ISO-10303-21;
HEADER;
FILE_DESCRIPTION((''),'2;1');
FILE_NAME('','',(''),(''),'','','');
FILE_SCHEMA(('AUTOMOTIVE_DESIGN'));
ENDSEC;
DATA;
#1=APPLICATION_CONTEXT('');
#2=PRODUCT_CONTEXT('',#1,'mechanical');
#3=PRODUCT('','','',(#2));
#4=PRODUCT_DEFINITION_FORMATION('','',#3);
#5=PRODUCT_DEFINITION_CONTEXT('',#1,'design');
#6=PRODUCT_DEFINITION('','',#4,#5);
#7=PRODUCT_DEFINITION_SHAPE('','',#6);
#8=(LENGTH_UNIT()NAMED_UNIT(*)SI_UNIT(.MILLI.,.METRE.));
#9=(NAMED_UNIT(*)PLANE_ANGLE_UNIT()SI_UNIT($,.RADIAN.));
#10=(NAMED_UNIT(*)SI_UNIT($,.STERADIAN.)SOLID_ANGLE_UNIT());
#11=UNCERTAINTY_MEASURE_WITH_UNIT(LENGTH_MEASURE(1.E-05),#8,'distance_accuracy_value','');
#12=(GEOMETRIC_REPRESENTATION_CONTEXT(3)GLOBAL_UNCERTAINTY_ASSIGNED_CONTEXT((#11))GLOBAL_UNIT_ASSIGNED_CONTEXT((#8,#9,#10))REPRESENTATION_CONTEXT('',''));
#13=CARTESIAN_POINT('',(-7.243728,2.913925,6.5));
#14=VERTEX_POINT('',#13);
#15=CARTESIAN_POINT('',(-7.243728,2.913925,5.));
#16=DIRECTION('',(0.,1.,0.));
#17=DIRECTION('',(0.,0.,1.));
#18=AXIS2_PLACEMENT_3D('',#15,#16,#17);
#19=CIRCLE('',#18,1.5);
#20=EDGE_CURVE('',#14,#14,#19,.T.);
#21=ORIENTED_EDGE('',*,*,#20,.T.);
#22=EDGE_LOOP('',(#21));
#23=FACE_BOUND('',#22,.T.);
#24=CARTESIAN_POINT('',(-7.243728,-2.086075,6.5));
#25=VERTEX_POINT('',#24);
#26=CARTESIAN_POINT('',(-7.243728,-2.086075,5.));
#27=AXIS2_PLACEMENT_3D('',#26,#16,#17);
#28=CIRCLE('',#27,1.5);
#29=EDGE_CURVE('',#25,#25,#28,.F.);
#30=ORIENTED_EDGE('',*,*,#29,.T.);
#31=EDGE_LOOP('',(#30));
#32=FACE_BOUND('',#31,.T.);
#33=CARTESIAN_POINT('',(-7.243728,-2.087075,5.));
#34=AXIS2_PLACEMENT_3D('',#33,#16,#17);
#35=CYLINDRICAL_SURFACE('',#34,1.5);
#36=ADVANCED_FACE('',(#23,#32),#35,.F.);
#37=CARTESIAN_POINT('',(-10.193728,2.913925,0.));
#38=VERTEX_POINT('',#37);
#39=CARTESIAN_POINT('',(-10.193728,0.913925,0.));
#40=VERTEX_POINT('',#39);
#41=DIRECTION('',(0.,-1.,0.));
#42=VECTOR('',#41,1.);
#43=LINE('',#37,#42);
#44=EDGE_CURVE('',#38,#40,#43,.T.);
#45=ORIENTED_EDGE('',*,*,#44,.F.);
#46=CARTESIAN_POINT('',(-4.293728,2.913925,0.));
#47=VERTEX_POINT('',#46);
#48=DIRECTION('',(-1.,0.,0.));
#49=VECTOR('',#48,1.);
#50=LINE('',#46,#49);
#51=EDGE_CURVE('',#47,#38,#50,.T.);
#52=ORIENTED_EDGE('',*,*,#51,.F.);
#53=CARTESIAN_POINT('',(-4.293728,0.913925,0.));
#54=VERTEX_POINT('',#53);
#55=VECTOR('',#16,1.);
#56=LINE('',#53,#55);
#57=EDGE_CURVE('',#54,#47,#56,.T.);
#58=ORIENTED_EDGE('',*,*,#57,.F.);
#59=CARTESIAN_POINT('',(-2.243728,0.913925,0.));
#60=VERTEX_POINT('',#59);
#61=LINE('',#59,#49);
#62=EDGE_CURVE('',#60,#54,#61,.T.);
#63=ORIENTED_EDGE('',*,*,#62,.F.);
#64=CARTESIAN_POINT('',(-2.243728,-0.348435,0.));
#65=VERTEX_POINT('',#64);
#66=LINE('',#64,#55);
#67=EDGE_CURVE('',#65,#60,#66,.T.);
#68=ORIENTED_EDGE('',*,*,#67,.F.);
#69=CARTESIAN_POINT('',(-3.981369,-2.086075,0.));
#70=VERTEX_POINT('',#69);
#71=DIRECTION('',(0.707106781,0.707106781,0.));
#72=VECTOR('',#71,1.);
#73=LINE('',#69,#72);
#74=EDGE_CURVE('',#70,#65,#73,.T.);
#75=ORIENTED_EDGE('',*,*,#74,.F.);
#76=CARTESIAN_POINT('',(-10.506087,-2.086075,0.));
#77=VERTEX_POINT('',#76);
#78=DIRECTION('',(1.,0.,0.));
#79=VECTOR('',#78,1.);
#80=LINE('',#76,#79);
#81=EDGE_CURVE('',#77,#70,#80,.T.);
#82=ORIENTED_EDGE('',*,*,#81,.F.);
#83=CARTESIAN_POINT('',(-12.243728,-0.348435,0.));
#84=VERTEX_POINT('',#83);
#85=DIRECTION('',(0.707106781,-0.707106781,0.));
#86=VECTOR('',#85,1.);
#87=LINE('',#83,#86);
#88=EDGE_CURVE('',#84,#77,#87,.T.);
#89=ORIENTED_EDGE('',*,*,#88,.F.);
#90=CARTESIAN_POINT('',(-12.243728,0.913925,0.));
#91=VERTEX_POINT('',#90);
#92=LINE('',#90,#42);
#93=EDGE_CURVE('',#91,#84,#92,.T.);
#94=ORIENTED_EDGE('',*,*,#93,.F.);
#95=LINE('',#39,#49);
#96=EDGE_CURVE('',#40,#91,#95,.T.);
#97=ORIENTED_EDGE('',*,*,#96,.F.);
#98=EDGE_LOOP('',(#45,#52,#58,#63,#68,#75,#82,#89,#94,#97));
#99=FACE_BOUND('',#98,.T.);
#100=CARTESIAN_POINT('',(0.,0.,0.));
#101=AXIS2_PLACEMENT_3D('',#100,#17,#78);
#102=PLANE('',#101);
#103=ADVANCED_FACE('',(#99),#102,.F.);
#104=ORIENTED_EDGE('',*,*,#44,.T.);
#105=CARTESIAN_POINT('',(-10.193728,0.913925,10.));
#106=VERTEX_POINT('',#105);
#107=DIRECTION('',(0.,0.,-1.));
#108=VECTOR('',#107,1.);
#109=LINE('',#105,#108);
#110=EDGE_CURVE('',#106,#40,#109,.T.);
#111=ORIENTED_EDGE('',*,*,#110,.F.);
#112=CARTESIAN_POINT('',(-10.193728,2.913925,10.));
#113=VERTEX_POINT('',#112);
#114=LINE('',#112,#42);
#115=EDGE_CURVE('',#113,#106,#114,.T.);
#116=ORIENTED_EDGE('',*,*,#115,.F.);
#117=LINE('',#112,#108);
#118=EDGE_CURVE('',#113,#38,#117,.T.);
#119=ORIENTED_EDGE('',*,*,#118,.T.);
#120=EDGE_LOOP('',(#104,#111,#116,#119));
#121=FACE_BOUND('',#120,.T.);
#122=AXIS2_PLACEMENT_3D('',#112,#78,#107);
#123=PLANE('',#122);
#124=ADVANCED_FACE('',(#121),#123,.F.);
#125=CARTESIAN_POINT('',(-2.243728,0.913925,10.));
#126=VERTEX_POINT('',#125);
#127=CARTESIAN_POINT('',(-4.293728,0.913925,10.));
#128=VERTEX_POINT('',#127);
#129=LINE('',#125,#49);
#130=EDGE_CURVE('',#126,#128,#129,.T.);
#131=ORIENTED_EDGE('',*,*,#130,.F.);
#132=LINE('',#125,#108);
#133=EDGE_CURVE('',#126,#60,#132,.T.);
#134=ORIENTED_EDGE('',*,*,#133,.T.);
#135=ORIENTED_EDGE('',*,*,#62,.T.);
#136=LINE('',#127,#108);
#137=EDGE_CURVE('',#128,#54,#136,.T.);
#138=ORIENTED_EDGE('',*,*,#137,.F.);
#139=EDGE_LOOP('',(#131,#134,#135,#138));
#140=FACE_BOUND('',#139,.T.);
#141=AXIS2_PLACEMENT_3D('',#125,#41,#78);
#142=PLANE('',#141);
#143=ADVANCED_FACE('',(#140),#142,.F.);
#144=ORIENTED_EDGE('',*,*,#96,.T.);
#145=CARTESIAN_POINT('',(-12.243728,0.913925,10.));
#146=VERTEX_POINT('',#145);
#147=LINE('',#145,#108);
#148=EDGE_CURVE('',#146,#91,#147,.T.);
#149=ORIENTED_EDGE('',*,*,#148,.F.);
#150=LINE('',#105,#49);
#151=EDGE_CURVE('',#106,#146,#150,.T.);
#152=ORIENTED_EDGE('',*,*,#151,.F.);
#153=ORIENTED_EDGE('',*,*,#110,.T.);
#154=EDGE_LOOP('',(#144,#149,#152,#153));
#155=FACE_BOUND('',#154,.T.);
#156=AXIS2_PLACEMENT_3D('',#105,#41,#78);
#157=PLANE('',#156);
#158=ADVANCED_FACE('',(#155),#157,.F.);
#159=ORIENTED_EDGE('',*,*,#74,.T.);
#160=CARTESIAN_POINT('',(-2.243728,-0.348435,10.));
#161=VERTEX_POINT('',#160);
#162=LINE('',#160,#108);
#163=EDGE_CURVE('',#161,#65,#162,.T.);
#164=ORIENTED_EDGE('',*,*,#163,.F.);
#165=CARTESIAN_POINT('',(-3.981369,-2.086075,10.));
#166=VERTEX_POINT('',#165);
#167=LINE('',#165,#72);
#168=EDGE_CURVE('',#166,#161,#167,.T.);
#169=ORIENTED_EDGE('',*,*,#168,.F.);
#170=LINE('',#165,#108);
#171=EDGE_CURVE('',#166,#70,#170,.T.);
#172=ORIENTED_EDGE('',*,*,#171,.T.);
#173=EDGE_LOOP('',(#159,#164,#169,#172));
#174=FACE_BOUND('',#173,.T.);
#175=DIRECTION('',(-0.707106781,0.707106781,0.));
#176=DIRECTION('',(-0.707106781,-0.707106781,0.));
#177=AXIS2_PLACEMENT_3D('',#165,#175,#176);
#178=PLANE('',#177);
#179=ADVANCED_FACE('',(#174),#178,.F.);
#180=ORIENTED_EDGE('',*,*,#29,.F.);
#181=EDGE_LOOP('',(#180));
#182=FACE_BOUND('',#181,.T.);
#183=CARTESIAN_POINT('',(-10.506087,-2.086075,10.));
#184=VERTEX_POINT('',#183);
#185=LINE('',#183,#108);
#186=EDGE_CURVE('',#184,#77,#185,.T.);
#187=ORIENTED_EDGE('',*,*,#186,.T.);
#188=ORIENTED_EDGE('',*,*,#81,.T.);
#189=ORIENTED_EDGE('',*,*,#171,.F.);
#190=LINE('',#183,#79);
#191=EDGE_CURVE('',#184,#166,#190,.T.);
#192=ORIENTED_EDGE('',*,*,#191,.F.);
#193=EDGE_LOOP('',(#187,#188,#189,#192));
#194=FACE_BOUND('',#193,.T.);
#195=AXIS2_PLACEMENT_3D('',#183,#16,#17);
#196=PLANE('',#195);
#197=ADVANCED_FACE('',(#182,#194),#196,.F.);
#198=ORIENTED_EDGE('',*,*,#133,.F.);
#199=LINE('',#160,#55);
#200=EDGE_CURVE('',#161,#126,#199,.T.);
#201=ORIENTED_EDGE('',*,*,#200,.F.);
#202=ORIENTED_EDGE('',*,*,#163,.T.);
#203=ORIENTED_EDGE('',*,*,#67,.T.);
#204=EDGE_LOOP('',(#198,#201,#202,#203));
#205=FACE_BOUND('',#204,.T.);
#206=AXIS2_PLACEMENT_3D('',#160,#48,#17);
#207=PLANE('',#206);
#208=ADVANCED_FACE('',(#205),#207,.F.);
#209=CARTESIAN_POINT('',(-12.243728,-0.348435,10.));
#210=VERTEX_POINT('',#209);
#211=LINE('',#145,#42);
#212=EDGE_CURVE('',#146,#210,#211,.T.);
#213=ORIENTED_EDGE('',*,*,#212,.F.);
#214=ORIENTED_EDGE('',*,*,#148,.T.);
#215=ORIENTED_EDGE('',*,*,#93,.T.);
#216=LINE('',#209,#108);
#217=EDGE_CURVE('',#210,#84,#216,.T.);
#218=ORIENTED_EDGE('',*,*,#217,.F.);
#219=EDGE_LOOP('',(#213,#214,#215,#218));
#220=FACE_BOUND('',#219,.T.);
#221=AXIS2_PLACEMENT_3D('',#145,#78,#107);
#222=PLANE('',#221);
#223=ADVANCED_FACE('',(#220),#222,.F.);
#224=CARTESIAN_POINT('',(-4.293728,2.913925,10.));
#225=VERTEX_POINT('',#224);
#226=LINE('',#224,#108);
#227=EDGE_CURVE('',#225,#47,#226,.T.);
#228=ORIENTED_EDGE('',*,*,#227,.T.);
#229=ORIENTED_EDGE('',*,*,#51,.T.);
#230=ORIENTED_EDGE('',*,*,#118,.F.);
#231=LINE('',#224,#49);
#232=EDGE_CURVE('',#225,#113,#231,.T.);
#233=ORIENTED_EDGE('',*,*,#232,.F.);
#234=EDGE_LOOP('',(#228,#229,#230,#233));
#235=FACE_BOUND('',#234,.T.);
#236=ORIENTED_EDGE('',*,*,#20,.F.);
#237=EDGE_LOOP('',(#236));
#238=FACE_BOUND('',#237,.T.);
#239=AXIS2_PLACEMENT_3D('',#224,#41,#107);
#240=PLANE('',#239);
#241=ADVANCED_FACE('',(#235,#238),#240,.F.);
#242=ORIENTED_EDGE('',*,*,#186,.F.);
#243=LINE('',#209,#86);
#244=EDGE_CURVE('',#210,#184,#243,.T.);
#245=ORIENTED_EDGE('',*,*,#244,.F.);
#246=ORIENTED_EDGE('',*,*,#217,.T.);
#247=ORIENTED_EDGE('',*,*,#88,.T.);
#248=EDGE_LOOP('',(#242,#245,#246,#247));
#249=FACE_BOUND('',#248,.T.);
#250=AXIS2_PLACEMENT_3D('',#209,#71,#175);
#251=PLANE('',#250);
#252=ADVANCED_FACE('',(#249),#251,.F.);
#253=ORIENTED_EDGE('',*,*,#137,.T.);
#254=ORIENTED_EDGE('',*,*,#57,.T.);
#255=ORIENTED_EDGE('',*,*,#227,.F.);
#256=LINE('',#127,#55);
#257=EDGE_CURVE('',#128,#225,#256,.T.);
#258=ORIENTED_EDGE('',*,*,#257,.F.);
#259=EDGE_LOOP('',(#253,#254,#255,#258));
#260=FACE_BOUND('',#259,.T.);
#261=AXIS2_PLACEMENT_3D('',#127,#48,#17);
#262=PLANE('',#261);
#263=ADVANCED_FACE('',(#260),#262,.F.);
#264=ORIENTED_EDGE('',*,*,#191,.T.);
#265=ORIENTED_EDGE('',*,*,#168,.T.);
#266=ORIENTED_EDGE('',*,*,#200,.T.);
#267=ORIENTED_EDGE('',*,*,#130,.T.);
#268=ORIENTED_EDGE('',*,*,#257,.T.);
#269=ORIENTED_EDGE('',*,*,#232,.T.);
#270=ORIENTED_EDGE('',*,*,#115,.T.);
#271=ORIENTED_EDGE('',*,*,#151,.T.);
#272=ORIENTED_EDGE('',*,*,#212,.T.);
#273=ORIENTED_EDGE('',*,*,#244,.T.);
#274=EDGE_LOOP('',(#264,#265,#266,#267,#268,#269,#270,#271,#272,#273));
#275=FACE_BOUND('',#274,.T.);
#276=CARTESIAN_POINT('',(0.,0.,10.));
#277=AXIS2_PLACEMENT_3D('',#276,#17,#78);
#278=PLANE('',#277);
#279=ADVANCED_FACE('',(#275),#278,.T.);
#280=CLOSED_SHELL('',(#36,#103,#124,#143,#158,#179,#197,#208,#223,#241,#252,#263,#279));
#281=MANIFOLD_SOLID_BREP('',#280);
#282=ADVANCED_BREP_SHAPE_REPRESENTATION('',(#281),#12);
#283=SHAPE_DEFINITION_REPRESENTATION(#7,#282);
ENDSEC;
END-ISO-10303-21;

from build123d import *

# Parameters (mm, degrees)
BOSS_EXTRU_1_DEPTH      = 10
ENL_V_MAT_EXTRU_1_REACH = 18.58
ESQUISSE2_R             = 1.5


with BuildPart() as part:
    # Esquisse1 → Boss.-Extru.1 (new body)
    with BuildSketch(Plane.XY):
        Polygon((-10.506087259, -2.086075409), (-3.981368971, -2.086075409), (-2.243728115, -0.348434553), (-2.243728115, 0.913924591), (-4.293728115, 0.913924591), (-4.293728115, 2.913924591), (-10.193728115, 2.913924591), (-10.193728115, 0.913924591), (-12.243728115, 0.913924591), (-12.243728115, -0.348434553), align=None)
    extrude(amount=BOSS_EXTRU_1_DEPTH)

    # Esquisse2 → Enlèv. mat.-Extru.1 (cut, up to next)
    with BuildSketch(Plane(origin=(0, 2.913924591, 0), x_dir=(1, 0, 0), z_dir=(0, 1, 0)), mode=Mode.PRIVATE) as enl_v_mat_extru_1_sk1:
        with Locations(Location((-7.243728115, -5, 0), (0, 0, 270))):
            Circle(ESQUISSE2_R)
    enl_v_mat_extru_1_tool1 = extrude(enl_v_mat_extru_1_sk1.sketch, amount=-ENL_V_MAT_EXTRU_1_REACH, mode=Mode.PRIVATE) & part.part
    add(enl_v_mat_extru_1_tool1.solids().sort_by_distance((-7.243728, 2.913925, 5))[0], mode=Mode.SUBTRACT)


solid = part.part
